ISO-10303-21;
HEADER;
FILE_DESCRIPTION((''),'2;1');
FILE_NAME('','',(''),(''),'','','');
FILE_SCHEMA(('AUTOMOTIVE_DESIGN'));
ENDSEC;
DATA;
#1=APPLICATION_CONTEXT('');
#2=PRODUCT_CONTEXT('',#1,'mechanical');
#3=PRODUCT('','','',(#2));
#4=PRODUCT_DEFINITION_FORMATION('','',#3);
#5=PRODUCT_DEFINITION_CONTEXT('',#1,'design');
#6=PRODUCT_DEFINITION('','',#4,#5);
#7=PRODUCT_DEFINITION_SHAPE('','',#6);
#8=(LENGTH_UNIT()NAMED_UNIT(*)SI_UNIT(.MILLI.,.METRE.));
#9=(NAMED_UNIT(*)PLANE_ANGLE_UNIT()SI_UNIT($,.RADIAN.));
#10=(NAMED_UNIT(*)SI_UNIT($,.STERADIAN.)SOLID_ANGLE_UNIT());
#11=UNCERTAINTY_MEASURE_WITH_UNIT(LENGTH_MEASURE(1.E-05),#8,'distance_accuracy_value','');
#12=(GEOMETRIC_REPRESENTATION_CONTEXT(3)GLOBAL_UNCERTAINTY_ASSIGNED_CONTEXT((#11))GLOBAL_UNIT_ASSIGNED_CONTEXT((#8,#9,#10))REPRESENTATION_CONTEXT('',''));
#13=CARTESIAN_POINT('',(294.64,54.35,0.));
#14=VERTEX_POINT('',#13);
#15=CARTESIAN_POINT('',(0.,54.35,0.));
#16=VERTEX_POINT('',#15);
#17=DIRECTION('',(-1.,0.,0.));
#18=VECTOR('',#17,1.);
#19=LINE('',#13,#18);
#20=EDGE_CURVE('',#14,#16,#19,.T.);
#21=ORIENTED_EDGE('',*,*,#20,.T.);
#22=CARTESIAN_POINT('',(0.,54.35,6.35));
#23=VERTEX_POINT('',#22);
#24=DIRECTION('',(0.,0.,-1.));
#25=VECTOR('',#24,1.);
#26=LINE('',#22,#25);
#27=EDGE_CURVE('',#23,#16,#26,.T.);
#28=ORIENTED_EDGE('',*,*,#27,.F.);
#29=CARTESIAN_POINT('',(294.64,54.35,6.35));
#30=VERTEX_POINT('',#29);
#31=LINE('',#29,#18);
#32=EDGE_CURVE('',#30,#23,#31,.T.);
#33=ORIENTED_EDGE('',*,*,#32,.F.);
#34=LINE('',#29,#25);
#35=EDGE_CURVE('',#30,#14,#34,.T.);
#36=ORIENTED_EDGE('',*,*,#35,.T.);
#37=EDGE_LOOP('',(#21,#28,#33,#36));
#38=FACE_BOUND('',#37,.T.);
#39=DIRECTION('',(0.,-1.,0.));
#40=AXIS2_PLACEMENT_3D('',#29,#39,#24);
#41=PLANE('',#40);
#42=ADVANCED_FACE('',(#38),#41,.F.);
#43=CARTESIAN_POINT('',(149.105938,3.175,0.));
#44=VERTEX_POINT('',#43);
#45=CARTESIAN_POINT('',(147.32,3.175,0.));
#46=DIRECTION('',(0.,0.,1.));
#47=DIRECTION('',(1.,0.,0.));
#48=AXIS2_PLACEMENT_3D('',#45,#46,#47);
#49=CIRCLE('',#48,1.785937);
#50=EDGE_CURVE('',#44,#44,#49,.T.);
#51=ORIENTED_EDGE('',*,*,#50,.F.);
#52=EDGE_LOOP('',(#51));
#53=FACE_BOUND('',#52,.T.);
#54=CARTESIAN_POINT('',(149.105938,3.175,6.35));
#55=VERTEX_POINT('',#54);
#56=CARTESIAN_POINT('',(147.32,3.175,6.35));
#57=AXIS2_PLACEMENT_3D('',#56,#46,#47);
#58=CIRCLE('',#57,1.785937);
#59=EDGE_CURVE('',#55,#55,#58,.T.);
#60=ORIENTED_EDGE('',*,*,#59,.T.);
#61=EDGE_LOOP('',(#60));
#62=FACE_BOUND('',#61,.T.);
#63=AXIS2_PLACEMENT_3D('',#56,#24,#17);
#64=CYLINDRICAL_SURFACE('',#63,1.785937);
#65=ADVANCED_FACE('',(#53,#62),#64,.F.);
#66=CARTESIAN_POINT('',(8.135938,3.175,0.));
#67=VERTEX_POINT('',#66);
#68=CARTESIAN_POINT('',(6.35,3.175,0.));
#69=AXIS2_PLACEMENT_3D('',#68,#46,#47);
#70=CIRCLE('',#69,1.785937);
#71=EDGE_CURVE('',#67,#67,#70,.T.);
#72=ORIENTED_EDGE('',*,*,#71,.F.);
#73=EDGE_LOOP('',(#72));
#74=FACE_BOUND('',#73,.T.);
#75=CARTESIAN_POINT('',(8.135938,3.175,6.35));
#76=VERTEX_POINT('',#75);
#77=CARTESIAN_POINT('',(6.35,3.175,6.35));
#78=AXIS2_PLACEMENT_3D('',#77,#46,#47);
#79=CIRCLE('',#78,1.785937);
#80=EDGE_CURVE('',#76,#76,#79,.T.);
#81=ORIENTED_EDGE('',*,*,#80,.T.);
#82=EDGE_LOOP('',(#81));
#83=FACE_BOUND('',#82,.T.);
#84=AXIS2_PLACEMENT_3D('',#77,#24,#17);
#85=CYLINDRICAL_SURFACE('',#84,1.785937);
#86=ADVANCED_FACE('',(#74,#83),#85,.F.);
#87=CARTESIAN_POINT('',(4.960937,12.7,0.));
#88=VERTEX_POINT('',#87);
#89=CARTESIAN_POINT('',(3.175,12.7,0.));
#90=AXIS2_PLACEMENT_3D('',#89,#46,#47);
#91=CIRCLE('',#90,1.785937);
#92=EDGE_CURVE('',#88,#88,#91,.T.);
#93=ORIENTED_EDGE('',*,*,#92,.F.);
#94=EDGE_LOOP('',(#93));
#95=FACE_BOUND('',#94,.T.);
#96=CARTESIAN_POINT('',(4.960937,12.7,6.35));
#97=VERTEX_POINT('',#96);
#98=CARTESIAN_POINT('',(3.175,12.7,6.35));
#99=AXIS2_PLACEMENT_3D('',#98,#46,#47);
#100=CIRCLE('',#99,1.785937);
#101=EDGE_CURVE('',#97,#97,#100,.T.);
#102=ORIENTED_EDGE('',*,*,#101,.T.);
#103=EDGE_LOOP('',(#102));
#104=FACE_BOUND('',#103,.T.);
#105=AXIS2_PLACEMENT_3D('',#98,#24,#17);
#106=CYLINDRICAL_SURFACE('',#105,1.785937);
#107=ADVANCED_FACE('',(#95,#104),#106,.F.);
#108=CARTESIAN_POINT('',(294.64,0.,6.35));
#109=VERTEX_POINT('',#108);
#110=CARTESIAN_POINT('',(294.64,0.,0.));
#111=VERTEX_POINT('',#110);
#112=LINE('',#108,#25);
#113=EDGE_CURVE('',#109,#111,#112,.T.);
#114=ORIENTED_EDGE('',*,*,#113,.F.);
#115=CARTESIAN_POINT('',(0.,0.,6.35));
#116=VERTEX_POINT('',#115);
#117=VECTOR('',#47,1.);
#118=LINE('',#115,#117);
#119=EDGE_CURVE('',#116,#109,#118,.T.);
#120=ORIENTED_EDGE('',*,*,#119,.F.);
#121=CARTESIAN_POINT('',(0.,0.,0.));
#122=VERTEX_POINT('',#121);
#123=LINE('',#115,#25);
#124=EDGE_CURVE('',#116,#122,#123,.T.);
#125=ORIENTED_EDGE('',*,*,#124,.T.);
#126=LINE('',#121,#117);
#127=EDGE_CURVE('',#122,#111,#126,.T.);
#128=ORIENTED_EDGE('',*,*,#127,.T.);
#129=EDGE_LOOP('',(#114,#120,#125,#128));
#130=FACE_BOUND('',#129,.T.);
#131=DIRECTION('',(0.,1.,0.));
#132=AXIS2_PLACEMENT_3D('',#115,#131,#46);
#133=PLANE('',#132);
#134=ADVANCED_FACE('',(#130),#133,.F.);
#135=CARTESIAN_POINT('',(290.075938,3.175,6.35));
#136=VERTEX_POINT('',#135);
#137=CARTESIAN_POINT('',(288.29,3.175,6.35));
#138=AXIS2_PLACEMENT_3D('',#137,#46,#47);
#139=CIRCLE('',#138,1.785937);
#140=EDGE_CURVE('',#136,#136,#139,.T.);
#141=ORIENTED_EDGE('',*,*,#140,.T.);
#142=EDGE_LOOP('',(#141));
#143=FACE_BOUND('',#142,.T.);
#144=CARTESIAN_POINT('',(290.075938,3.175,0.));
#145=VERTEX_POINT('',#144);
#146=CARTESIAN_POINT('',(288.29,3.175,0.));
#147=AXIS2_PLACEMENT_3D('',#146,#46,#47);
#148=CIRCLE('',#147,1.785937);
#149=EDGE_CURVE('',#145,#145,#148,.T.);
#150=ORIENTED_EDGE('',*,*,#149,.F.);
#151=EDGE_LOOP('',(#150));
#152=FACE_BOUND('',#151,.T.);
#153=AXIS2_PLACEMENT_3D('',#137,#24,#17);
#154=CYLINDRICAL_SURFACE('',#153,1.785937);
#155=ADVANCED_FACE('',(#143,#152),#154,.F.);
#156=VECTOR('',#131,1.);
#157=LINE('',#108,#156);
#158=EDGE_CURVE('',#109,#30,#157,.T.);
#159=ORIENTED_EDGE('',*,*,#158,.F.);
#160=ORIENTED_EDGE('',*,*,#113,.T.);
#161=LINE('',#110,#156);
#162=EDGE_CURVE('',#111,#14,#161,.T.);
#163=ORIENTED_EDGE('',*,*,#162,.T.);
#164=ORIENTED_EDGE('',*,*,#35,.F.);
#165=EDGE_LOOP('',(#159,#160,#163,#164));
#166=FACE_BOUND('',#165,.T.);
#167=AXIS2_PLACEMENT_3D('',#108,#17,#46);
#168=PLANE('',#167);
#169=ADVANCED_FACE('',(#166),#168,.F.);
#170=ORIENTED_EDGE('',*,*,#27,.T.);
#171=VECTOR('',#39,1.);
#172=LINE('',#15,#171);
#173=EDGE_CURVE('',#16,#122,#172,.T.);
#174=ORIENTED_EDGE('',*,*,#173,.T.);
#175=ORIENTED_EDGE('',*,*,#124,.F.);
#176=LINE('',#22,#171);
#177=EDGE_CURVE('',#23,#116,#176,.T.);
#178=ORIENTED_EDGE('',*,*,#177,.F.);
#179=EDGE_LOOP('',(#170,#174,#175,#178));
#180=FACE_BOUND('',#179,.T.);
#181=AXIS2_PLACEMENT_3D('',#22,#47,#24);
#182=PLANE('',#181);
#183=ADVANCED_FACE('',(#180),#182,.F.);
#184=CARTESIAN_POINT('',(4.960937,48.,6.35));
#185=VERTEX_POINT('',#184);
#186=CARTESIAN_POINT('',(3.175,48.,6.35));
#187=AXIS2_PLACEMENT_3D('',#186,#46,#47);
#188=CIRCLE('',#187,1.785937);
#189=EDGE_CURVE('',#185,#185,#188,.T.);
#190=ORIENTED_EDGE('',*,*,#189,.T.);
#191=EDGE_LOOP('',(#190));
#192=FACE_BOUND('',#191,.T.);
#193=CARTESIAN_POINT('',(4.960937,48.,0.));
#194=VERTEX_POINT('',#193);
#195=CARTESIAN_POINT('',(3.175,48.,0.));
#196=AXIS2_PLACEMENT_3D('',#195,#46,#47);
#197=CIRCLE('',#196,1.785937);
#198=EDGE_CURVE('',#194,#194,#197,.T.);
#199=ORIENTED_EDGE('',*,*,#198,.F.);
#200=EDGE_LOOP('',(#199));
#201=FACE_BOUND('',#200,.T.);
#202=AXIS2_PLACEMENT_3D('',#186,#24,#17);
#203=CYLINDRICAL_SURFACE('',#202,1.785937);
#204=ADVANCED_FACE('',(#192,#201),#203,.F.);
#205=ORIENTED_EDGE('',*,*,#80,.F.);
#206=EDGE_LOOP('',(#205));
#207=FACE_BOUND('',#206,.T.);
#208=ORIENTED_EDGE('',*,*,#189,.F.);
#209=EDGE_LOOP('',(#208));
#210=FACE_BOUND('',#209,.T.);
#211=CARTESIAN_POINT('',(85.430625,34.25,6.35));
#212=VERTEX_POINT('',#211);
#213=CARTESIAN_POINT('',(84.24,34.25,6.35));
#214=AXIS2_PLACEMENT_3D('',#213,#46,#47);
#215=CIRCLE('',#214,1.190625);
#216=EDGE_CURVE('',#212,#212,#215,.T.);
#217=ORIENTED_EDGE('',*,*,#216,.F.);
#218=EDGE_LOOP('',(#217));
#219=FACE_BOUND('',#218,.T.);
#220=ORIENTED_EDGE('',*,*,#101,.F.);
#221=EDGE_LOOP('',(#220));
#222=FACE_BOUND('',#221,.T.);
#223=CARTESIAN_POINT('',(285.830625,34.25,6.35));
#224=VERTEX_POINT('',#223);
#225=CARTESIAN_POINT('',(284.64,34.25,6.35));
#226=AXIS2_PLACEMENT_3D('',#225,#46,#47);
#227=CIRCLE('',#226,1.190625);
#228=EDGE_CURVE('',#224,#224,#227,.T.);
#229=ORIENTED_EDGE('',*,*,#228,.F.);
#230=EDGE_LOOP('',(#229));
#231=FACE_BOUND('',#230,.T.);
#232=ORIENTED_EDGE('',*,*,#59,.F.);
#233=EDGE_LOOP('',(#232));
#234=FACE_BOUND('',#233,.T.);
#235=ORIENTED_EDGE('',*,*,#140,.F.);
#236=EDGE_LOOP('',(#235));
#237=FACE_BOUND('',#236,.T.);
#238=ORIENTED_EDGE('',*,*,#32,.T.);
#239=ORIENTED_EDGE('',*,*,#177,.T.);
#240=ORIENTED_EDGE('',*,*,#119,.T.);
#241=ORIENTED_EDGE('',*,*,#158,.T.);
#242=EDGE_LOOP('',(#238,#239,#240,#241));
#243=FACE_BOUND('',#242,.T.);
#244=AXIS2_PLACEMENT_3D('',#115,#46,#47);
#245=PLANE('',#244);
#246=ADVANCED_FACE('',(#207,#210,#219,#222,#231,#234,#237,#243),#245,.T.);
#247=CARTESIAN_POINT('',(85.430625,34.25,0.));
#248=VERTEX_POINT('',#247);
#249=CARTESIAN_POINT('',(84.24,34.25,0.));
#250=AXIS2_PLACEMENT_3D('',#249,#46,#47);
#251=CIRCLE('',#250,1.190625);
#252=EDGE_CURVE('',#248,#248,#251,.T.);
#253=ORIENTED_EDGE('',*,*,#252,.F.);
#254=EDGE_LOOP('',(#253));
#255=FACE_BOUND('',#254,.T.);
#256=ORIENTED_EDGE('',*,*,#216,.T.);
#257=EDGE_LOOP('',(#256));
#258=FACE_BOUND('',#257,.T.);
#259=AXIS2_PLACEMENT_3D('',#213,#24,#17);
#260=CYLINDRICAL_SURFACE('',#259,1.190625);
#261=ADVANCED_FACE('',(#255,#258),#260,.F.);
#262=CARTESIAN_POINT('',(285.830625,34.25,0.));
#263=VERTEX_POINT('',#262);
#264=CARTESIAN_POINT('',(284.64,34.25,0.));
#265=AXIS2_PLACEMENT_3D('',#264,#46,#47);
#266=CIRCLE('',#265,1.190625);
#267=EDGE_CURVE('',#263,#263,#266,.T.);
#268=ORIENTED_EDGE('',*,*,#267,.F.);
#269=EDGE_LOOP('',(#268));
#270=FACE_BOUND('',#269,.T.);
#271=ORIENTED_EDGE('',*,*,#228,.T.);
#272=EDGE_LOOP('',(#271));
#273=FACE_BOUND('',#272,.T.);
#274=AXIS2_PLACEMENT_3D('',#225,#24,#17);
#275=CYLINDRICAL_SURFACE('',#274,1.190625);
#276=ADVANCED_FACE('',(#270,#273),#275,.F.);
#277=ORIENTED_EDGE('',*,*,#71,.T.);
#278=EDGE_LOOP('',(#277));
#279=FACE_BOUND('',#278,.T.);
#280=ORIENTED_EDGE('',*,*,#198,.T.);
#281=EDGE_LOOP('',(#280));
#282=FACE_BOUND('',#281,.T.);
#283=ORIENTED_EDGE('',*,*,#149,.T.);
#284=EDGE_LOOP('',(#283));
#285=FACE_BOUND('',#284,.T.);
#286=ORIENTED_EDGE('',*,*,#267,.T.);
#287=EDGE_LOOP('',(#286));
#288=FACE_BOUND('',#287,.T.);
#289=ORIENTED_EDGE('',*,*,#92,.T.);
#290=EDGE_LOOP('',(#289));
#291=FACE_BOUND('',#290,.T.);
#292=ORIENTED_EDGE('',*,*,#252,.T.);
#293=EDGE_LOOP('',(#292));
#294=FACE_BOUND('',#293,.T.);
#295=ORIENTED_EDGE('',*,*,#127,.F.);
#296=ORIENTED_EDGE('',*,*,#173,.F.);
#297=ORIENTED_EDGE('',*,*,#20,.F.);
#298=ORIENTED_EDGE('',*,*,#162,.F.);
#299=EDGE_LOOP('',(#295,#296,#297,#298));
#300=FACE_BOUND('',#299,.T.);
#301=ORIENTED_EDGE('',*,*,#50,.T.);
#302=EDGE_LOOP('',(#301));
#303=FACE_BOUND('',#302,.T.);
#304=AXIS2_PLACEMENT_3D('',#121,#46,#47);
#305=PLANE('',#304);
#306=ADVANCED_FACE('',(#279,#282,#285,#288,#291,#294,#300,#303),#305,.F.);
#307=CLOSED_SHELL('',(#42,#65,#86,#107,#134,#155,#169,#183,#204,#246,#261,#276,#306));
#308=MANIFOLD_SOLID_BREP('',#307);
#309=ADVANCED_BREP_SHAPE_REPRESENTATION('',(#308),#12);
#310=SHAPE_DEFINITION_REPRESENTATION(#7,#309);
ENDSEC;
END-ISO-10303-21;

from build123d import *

# Parameters (mm, degrees)
SKETCH1_W           = 294.64
SKETCH1_H           = 54.35
SKETCH1_R           = 1.7859375
SKETCH1_R_2         = 1.190625
BOSS_EXTRUDE1_DEPTH = 6.35


with BuildPart() as part:
    # Sketch1 → Boss-Extrude1 (new body)
    with BuildSketch(Plane.XY):
        with Locations((147.32, 27.175)):
            Rectangle(SKETCH1_W, SKETCH1_H)
        with Locations((3.175, 48)):
            Circle(SKETCH1_R, mode=Mode.SUBTRACT)
        with Locations((3.175, 12.7)):
            Circle(SKETCH1_R, mode=Mode.SUBTRACT)
        with Locations((6.35, 3.175)):
            Circle(SKETCH1_R, mode=Mode.SUBTRACT)
        with Locations((288.29, 3.175)):
            Circle(SKETCH1_R, mode=Mode.SUBTRACT)
        with Locations((147.32, 3.175)):
            Circle(SKETCH1_R, mode=Mode.SUBTRACT)
        with Locations((84.24, 34.25)):
            Circle(SKETCH1_R_2, mode=Mode.SUBTRACT)
        with Locations((284.64, 34.25)):
            Circle(SKETCH1_R_2, mode=Mode.SUBTRACT)
    extrude(amount=BOSS_EXTRUDE1_DEPTH)


solid = part.part
